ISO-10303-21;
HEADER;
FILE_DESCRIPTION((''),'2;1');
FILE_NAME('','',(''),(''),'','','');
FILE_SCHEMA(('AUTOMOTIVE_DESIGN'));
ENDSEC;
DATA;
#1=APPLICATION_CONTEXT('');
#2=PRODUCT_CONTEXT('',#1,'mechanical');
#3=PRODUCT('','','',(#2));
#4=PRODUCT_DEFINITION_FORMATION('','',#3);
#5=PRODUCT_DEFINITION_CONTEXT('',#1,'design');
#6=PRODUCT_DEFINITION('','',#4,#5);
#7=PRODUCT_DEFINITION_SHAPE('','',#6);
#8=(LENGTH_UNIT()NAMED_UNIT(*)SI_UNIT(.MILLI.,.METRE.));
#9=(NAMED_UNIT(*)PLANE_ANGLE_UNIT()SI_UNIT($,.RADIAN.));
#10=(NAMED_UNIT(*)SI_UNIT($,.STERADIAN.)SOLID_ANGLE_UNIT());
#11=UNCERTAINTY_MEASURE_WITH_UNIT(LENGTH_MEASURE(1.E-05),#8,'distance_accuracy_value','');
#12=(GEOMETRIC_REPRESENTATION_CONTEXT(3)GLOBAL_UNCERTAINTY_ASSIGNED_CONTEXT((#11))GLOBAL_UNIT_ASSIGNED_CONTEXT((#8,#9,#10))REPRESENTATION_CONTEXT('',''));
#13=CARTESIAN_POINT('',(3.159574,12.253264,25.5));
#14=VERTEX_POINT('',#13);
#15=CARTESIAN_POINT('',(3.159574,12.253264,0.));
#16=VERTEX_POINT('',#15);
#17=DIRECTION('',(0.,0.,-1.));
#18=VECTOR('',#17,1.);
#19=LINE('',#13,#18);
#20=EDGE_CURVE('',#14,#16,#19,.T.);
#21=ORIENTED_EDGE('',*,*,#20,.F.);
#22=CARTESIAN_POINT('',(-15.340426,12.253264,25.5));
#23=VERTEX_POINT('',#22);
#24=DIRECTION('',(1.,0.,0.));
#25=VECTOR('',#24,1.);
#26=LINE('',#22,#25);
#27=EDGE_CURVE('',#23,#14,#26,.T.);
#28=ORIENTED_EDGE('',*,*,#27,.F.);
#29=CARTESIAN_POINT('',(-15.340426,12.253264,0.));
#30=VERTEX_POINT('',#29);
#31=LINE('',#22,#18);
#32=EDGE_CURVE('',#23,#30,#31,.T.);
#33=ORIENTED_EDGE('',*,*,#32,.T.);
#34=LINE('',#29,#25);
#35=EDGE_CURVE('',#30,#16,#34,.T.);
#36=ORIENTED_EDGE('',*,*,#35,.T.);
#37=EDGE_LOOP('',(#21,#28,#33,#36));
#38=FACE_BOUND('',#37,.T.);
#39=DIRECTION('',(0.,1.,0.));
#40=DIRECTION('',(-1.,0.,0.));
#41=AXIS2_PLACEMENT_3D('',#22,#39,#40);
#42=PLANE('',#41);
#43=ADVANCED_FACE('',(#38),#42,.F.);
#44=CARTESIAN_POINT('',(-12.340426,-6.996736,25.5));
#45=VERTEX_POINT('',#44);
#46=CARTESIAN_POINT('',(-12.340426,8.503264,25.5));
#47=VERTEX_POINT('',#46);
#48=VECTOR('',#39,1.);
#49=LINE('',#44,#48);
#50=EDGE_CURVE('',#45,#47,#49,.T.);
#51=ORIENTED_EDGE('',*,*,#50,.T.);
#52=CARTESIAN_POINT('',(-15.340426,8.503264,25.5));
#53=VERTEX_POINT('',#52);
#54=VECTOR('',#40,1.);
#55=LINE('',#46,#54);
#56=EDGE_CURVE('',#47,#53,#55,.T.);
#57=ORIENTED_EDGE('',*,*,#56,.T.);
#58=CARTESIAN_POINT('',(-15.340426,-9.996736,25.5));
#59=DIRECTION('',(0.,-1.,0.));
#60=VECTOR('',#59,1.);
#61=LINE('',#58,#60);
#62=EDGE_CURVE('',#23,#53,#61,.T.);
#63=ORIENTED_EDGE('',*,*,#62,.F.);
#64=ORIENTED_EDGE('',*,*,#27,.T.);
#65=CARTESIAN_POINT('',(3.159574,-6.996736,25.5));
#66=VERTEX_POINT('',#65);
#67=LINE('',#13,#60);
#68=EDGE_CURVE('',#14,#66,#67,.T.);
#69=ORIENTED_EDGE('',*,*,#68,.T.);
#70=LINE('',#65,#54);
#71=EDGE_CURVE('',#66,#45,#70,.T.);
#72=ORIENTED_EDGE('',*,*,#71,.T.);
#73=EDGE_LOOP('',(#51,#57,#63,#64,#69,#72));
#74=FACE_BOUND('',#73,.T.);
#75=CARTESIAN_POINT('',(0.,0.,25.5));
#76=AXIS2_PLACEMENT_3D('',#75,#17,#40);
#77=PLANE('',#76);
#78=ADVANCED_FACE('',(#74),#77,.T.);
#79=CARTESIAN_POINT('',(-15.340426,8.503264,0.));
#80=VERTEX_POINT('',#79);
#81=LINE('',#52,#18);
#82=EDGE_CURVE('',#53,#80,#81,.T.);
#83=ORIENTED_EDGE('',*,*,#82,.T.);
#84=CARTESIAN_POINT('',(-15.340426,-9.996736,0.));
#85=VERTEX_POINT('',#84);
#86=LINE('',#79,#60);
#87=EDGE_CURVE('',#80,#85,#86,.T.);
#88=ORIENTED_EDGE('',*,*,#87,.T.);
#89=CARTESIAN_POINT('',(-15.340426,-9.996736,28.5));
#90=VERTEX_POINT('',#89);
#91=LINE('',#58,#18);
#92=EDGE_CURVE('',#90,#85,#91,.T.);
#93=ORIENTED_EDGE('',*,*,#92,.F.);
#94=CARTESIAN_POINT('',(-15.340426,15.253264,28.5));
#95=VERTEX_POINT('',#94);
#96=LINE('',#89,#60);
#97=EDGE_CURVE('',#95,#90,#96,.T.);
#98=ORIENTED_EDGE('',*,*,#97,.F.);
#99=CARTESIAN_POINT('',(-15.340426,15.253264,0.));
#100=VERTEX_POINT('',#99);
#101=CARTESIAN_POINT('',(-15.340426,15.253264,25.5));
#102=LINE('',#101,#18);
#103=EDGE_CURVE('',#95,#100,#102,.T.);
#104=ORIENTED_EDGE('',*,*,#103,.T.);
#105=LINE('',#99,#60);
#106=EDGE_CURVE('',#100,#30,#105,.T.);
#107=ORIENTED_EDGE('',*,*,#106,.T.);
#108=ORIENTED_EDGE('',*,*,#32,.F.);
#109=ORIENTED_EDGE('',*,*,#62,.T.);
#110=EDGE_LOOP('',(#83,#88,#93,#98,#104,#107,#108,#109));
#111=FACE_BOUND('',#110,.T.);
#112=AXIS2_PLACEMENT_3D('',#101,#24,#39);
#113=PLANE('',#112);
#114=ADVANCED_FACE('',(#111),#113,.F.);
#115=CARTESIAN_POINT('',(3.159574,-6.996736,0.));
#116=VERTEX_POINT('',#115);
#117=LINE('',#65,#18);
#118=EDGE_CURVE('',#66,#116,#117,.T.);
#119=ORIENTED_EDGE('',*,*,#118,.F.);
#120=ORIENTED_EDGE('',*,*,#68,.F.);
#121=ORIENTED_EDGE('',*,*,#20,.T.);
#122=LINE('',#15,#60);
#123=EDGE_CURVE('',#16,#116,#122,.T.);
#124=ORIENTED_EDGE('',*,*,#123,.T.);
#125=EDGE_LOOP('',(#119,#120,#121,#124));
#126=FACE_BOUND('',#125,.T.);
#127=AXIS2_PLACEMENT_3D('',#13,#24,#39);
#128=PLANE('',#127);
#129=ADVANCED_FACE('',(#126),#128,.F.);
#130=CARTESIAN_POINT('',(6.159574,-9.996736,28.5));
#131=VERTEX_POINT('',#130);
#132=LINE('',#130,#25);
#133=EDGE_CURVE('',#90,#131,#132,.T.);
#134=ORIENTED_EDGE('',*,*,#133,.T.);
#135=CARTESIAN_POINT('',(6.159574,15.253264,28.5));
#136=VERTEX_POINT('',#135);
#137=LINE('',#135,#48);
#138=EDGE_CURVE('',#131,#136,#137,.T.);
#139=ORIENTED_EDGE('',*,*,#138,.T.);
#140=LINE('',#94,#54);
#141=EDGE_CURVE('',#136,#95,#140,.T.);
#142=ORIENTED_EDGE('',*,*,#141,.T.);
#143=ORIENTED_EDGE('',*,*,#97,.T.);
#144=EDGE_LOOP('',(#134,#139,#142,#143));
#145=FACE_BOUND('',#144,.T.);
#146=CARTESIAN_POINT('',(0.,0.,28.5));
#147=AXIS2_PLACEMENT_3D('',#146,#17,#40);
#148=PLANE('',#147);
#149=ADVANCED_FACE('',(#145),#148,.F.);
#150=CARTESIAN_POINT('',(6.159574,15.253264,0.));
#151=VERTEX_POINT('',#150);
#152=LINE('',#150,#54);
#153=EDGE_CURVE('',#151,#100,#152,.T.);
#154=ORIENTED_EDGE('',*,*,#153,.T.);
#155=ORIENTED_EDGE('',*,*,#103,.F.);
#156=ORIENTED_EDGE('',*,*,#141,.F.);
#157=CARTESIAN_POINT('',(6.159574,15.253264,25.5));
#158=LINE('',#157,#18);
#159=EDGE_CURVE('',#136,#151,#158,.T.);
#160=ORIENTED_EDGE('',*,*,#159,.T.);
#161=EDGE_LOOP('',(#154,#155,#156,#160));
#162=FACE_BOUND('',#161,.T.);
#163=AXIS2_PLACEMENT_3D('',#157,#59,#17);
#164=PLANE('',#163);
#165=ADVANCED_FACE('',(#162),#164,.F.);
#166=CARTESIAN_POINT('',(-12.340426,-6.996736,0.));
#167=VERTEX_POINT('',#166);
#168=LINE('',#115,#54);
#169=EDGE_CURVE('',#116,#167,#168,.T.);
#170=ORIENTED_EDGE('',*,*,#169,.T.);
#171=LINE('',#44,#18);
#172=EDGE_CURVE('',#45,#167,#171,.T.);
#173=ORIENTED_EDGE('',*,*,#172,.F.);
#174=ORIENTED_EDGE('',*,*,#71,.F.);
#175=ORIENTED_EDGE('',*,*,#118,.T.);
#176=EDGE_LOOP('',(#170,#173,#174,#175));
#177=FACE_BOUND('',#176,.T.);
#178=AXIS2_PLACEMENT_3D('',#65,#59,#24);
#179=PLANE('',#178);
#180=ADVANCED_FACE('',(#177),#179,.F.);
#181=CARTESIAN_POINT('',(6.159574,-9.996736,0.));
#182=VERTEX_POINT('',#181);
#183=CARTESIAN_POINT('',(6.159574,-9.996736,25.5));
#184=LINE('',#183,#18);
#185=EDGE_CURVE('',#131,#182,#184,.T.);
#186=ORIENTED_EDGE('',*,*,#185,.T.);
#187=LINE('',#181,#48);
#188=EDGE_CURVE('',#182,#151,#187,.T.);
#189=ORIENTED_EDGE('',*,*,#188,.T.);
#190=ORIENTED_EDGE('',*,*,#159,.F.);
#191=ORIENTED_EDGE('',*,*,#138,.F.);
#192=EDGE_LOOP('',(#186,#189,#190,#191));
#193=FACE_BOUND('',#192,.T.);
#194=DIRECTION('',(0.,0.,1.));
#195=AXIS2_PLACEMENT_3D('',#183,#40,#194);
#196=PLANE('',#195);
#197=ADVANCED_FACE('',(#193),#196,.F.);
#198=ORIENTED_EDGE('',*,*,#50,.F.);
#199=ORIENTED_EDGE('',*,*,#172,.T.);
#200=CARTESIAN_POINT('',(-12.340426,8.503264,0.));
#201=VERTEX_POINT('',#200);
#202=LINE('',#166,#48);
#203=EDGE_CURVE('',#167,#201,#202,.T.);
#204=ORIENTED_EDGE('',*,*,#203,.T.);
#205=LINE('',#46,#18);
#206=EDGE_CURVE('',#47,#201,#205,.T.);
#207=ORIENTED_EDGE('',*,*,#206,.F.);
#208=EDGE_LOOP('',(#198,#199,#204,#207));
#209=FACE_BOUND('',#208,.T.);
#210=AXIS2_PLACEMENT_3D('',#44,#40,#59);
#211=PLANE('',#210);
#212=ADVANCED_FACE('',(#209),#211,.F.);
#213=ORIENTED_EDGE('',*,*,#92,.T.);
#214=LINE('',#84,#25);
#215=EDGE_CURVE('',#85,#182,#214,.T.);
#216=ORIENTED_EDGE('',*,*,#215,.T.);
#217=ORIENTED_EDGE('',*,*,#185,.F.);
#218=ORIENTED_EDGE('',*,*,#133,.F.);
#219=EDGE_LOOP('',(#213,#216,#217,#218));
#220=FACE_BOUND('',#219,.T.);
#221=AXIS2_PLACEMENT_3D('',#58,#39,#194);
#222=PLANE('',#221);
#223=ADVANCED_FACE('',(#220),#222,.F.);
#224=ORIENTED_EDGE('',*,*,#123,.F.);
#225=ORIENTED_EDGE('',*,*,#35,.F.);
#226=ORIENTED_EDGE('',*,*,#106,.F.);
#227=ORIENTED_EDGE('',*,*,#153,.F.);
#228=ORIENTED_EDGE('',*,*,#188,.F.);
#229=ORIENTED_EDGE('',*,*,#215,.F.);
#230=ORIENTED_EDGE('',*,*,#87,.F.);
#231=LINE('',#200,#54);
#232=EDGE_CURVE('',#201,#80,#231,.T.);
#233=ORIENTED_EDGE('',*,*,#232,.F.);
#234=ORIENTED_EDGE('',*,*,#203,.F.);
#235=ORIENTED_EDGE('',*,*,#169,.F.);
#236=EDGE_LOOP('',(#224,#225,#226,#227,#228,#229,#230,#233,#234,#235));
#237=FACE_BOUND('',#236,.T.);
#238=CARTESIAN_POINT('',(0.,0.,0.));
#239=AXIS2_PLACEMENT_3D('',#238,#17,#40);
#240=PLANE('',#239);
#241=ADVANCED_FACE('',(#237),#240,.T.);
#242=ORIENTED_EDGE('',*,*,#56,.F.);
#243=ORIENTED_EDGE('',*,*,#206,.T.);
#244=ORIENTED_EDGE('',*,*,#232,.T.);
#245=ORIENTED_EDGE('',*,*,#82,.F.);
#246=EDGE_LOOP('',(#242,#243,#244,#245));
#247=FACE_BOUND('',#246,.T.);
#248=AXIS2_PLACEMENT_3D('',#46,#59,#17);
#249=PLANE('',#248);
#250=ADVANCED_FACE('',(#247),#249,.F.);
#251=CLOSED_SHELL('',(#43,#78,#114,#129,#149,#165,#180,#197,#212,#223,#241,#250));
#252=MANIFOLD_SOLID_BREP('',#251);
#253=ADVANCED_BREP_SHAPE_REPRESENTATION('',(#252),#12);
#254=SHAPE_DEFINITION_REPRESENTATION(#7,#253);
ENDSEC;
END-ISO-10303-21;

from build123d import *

# Parameters (mm, degrees)
BOSS_EXTRUDE1_DEPTH = 25.5
SKETCH2_W           = 21.5
SKETCH2_H           = 25.25
BOSS_EXTRUDE2_DEPTH = 3


with BuildPart() as part:
    # Sketch1 → Boss-Extrude1 (new body)
    with BuildSketch(Plane.XY):
        Polygon((-12.340425532, -6.996736248), (-12.340425532, 8.503263752), (-15.340425532, 8.503263752), (-15.340425532, -9.996736248), (6.159574468, -9.996736248), (6.159574468, 15.253263752), (-15.340425532, 15.253263752), (-15.340425532, 12.253263752), (3.159574468, 12.253263752), (3.159574468, -6.996736248), align=None)
    extrude(amount=BOSS_EXTRUDE1_DEPTH)

    # Sketch2 → Boss-Extrude2 (add)
    with BuildSketch(Plane.XY.offset(25.5)):
        with Locations((-4.590425532, 2.628263752)):
            Rectangle(SKETCH2_W, SKETCH2_H)
    extrude(amount=BOSS_EXTRUDE2_DEPTH)


solid = part.part
